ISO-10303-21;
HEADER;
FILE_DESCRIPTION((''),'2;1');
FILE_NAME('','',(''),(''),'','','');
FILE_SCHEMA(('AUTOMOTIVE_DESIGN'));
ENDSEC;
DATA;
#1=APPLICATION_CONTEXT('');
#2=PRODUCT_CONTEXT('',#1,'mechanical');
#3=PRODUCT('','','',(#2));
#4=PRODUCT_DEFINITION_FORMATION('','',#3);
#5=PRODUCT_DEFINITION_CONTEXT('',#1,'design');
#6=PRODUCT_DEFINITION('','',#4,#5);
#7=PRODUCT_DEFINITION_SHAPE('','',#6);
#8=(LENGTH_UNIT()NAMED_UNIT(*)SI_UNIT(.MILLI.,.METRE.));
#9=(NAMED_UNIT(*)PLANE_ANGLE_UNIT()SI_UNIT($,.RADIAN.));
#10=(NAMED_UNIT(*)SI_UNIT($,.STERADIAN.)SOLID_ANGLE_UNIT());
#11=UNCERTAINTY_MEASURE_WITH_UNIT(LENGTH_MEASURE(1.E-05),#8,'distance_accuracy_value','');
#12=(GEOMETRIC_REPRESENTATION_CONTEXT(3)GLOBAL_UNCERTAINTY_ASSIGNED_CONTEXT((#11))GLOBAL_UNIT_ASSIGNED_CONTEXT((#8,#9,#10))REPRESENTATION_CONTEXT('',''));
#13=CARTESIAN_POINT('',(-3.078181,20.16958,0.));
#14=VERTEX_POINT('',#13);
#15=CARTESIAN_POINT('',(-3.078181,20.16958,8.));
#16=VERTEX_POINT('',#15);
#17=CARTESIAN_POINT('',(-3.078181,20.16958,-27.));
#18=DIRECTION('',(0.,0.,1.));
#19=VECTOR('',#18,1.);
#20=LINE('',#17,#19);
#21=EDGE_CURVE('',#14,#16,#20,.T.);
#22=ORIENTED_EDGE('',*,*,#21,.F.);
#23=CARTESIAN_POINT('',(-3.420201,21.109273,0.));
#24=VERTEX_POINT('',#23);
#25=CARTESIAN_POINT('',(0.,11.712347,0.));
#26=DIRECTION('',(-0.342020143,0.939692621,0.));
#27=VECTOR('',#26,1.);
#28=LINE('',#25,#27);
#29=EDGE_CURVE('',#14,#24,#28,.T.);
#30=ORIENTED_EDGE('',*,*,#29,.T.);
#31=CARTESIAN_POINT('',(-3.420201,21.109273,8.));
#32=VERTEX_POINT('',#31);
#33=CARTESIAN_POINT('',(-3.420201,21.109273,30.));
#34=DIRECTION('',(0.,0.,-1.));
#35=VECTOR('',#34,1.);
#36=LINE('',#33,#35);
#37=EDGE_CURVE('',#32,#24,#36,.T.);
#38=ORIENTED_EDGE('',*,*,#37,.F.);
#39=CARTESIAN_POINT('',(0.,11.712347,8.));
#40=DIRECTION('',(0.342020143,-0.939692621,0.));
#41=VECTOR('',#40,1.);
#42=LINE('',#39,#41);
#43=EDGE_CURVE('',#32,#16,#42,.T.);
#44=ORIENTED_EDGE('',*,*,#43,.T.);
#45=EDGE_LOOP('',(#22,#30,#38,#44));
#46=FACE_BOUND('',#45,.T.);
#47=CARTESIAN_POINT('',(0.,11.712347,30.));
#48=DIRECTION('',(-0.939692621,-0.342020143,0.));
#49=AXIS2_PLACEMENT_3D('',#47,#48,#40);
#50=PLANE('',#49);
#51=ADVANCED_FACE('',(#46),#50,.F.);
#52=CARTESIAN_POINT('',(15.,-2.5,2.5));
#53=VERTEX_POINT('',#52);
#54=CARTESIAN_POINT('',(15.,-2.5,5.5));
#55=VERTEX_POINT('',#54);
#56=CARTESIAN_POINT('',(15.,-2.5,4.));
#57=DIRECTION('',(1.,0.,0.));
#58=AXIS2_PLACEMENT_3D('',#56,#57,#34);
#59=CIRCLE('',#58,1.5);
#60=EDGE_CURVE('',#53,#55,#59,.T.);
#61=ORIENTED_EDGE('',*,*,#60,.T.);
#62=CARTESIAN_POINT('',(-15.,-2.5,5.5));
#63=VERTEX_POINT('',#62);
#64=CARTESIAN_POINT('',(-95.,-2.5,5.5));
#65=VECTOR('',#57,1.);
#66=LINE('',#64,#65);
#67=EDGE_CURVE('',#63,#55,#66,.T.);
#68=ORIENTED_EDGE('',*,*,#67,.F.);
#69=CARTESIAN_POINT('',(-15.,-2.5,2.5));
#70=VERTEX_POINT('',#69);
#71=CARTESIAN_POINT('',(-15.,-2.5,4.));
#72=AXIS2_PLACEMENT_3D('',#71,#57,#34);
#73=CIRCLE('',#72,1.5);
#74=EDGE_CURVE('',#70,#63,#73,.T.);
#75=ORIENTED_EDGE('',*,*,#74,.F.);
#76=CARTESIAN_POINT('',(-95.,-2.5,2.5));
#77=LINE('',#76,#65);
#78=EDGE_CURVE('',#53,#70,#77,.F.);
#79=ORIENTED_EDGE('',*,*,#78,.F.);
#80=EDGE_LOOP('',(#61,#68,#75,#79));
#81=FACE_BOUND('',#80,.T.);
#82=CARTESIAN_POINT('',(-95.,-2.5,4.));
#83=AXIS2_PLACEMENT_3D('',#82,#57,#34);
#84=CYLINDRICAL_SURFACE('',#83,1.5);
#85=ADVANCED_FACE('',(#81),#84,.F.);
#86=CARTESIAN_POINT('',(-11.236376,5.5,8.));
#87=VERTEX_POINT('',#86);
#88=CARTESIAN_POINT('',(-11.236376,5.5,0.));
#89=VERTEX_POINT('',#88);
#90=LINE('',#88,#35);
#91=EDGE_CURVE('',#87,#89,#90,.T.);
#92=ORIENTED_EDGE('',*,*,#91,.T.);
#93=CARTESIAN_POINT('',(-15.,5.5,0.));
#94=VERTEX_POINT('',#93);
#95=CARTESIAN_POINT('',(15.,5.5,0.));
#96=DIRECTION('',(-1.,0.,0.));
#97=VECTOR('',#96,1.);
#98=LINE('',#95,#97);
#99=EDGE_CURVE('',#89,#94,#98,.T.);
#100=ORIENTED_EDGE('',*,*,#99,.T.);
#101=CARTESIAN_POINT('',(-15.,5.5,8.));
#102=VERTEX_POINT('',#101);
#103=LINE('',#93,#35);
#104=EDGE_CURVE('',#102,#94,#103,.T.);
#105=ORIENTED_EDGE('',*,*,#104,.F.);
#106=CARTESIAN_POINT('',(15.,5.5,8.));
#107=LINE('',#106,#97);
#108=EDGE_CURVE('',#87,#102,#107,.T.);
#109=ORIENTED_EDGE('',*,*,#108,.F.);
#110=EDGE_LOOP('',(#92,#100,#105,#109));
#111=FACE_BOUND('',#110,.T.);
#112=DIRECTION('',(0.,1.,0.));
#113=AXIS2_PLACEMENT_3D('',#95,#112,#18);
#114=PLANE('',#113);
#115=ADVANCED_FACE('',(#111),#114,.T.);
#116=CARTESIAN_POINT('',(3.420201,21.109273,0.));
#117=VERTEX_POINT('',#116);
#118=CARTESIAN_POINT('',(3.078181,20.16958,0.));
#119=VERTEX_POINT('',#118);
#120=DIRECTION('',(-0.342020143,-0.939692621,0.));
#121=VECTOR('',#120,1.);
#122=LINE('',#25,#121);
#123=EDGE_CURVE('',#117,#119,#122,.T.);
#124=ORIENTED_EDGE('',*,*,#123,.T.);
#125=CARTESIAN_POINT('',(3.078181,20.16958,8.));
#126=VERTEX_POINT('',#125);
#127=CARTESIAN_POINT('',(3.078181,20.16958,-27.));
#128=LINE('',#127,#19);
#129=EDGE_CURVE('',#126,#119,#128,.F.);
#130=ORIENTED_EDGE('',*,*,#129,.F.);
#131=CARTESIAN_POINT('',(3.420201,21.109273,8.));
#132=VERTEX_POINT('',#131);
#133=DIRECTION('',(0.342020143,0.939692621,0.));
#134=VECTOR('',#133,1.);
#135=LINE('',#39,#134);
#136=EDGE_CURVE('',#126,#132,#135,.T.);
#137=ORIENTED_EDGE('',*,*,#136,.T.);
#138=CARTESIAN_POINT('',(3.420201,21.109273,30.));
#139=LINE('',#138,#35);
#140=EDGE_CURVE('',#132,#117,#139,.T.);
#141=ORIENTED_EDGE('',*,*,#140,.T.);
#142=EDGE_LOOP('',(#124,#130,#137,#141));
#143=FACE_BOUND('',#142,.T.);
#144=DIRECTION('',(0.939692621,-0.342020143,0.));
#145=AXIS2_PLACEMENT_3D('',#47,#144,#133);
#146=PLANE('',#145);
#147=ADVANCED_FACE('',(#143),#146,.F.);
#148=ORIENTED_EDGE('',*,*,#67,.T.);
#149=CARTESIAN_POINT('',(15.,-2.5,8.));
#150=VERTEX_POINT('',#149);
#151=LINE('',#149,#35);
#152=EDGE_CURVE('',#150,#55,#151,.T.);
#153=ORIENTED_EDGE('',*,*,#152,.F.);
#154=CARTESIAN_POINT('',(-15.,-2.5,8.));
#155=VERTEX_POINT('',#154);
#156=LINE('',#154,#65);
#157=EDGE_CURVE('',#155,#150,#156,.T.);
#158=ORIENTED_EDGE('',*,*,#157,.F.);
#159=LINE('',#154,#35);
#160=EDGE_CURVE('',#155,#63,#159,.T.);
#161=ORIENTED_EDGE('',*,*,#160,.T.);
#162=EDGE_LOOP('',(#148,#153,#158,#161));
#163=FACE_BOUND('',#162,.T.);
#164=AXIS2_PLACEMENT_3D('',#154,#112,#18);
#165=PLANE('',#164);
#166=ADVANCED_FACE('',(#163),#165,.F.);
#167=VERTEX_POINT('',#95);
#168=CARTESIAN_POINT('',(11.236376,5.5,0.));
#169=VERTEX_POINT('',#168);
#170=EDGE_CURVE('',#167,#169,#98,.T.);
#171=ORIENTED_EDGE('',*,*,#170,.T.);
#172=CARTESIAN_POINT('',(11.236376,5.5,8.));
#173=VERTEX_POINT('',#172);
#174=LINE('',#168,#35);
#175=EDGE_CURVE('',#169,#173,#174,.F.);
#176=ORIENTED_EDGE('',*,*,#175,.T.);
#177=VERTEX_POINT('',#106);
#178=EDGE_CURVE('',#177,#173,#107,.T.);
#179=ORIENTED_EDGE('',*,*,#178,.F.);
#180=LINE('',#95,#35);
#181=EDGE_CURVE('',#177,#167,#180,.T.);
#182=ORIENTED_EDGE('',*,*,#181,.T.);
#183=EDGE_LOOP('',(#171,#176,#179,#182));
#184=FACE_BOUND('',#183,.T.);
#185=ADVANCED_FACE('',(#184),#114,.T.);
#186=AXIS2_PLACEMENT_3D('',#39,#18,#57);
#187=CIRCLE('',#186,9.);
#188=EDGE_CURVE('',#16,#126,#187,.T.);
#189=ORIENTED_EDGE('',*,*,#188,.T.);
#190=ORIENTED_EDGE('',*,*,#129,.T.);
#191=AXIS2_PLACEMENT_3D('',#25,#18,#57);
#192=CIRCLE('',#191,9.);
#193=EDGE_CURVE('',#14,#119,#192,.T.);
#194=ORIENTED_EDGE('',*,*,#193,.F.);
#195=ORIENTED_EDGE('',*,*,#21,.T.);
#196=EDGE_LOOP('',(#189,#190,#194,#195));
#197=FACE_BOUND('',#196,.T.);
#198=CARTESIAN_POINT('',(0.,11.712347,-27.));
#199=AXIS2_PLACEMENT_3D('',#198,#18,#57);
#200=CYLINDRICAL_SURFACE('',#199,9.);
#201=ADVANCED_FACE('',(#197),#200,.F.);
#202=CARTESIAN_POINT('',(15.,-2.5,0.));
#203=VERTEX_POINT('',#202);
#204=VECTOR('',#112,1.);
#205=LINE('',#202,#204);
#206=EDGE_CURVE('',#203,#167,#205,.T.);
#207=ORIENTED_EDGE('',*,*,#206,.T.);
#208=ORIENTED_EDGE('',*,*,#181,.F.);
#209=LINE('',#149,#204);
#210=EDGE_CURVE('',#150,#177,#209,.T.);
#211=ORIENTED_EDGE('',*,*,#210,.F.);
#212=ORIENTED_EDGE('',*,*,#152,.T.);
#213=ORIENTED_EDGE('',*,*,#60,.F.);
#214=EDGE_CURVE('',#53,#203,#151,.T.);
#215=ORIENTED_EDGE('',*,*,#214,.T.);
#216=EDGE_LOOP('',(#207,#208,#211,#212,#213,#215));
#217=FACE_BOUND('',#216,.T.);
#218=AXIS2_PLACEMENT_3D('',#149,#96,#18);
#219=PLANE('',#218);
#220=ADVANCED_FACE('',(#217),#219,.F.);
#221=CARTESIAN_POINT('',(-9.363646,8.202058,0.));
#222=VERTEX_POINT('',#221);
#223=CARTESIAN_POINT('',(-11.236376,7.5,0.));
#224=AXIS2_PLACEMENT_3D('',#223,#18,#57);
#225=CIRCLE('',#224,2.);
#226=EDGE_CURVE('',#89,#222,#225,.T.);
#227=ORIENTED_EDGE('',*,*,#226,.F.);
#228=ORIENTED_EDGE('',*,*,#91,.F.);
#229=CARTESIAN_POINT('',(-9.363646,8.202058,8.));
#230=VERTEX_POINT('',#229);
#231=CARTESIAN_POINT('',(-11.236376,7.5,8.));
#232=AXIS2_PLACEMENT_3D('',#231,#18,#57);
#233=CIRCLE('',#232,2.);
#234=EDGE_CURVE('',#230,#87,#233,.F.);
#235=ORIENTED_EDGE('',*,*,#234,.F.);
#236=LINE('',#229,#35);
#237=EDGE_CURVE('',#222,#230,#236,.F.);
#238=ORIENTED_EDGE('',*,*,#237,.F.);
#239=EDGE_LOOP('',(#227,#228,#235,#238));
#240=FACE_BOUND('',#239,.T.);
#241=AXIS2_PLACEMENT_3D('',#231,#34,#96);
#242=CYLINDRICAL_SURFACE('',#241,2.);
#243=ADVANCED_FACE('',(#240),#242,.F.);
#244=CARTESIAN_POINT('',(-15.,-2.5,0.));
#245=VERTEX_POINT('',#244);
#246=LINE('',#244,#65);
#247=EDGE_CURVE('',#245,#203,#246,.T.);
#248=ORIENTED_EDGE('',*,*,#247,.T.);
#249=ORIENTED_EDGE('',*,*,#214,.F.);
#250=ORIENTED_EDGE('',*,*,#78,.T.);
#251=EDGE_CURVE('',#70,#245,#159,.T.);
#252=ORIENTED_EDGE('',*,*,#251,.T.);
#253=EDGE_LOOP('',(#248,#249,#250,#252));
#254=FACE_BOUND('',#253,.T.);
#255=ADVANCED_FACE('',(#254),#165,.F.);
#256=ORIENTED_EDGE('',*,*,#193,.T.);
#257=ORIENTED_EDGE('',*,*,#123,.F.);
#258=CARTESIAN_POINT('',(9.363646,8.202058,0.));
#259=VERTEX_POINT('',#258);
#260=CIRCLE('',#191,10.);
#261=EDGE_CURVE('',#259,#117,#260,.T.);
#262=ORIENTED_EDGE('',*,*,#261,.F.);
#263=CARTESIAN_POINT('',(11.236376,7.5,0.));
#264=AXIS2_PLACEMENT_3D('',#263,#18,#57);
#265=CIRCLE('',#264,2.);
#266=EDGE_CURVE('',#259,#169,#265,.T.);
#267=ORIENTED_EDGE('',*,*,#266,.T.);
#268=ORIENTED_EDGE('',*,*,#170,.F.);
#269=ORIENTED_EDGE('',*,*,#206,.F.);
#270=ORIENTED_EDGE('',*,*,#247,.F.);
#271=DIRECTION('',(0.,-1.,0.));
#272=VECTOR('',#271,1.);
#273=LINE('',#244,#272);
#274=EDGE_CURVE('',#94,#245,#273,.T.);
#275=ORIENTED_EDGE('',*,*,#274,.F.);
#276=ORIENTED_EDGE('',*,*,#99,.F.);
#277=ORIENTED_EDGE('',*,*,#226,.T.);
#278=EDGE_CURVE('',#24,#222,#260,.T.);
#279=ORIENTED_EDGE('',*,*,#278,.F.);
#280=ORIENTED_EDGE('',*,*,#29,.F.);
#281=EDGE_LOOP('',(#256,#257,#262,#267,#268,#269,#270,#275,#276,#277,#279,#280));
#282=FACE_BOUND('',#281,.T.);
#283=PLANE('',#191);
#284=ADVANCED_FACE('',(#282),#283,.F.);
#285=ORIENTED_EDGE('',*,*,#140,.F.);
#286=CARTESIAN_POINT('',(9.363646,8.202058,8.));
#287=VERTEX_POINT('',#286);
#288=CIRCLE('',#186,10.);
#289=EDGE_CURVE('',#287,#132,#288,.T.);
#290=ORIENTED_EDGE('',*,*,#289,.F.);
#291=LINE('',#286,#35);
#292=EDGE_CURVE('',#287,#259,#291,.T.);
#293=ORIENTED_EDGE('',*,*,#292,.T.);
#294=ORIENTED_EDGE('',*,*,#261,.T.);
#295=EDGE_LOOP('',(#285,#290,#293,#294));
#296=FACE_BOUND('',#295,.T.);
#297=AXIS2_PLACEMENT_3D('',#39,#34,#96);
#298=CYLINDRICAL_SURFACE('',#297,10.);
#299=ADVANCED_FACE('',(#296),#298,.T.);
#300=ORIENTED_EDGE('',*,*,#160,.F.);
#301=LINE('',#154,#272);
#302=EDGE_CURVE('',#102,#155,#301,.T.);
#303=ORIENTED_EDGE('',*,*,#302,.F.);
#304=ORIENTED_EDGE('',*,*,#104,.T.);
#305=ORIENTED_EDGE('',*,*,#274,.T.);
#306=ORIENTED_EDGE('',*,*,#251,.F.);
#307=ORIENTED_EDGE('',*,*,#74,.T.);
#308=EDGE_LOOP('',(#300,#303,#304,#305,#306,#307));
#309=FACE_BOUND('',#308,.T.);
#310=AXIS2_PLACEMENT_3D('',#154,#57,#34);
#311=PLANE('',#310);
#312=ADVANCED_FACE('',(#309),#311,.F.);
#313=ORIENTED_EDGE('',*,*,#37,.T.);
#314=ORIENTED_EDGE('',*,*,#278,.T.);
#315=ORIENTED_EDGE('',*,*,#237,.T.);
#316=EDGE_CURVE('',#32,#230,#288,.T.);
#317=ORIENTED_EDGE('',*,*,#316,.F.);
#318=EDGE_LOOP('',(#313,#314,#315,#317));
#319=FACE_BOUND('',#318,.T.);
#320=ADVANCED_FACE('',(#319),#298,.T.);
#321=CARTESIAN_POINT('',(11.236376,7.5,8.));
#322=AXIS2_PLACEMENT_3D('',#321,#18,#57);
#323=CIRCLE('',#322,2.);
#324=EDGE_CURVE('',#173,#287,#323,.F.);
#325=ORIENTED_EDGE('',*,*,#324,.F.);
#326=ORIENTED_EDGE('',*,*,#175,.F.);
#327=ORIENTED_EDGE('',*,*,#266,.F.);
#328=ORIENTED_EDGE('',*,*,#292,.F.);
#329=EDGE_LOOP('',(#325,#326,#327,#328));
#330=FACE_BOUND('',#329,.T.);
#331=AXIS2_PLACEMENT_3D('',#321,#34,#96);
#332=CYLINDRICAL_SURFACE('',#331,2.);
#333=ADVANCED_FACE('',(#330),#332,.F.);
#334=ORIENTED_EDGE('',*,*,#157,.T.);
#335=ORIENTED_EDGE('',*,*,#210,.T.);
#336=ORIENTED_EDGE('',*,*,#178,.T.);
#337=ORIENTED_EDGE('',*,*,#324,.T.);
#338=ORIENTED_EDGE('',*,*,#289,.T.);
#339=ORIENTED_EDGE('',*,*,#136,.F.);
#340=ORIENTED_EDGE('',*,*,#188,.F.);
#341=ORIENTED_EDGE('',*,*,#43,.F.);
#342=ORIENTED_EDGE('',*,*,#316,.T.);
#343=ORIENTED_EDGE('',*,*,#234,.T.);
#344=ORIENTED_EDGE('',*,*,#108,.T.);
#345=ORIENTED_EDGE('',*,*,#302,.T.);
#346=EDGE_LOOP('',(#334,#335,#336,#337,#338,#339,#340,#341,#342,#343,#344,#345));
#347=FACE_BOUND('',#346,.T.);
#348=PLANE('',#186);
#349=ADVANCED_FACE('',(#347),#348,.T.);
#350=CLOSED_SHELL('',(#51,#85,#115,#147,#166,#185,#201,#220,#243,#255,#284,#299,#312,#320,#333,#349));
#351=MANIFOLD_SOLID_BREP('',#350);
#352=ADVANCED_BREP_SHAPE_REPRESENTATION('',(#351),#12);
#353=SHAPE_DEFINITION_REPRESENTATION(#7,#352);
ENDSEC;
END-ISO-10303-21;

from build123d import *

# Parameters (mm, degrees)
BOSS_EXTRUDE1_DEPTH = 8
SKETCH2_R           = 9
CUT_EXTRUDE1_DEPTH  = 35
SKETCH3_W           = 0.5
SKETCH3_H           = 1.875425002
CUT_EXTRUDE2_DEPTH  = 25
SKETCH4_R           = 1.5
CUT_EXTRUDE3_DEPTH  = 110
SKETCH6_W           = 5
SKETCH6_H           = 7.147198513
CUT_EXTRUDE4_DEPTH  = 10
FILLET1_R           = 0.5
SKETCH8_W           = 8
SKETCH8_H           = 3
BOSS_EXTRUDE2_DEPTH = 30
SKETCH9_R           = 9
CUT_EXTRUDE5_DEPTH  = 30
FILLET2_R           = 2
CUT_EXTRUDE7_DEPTH  = 30


with BuildPart() as part:
    # Sketch1 → Boss-Extrude1 (new body)
    with BuildSketch(Plane.XY):
        with BuildLine():
            Line((3.89007335, 2.5), (15, 2.5))
            Line((15, 2.5), (15, -2.5))
            Line((15, -2.5), (-15, -2.5))
            Line((-15, -2.5), (-15, 2.5))
            Line((-15, 2.5), (-3.89007335, 2.5))
            ThreePointArc((-3.89007335, 2.5), (0, 21.71234657), (3.89007335, 2.5))
        make_face()
    extrude(amount=BOSS_EXTRUDE1_DEPTH)

    # Sketch2 → Cut-Extrude1 (cut)
    with BuildSketch(Plane.XY.offset(8)):
        with Locations((0, 11.71234657)):
            Circle(SKETCH2_R)
    extrude(amount=-CUT_EXTRUDE1_DEPTH, mode=Mode.SUBTRACT)

    # Sketch3 → Cut-Extrude2 (cut)
    with BuildSketch(Plane(origin=(0, 0, 0), x_dir=(-1, 0, 0), z_dir=(0, 0, -1))):
        with Locations((0, 21.521483579)):
            Rectangle(SKETCH3_W, SKETCH3_H)
    extrude(amount=-CUT_EXTRUDE2_DEPTH, mode=Mode.SUBTRACT)

    # Sketch4 → Cut-Extrude3 (cut)
    with BuildSketch(Plane(origin=(15, 0, 0), x_dir=(0, 0, -1), z_dir=(1, 0, 0))):
        with Locations((-4, -2.5)):
            Circle(SKETCH4_R)
    extrude(amount=-CUT_EXTRUDE3_DEPTH, mode=Mode.SUBTRACT)

    # Sketch6 → Cut-Extrude4 (cut)
    with BuildSketch(Plane.XY.offset(8)):
        with Locations((0, 22.731746569)):
            Rectangle(SKETCH6_W, SKETCH6_H)
    extrude(amount=-CUT_EXTRUDE4_DEPTH, mode=Mode.SUBTRACT)

    # Fillet1
    fillet1_edges = [part.edges().sort_by_distance(p)[0] for p in [
        (-3.89007335, 2.5, 4),
        (3.89007335, 2.5, 4),
    ]]
    fillet(fillet1_edges, radius=FILLET1_R)

    # Sketch8 → Boss-Extrude2 (add)
    with BuildSketch(Plane.ZY.offset(15)):
        with Locations((4, 4)):
            Rectangle(SKETCH8_W, SKETCH8_H)
    extrude(amount=-BOSS_EXTRUDE2_DEPTH)

    # Sketch9 → Cut-Extrude5 (cut)
    with BuildSketch(Plane(origin=(0, 0, 0), x_dir=(-1, 0, 0), z_dir=(0, 0, -1))):
        with Locations((0, 11.71234657)):
            Circle(SKETCH9_R)
    extrude(amount=-CUT_EXTRUDE5_DEPTH, mode=Mode.SUBTRACT)

    # Fillet2
    fillet2_edges = [part.edges().sort_by_distance(p)[0] for p in [
        (-7.836245918, 5.5, 4),
        (7.836245918, 5.5, 4),
    ]]
    fillet(fillet2_edges, radius=FILLET2_R)

    # Sketch10 → Cut-Extrude7 (cut)
    with BuildSketch(Plane(origin=(0, 0, 0), x_dir=(-1, 0, 0), z_dir=(0, 0, -1))):
        with BuildLine():
            Line((0, 11.71234657), (3.420201433, 21.109272778))
            ThreePointArc((3.420201433, 21.109272778), (0, 24.529474212), (-3.420201433, 21.109272778))
            Line((-3.420201433, 21.109272778), (0, 11.71234657))
        make_face()
    extrude(amount=-CUT_EXTRUDE7_DEPTH, mode=Mode.SUBTRACT)


solid = part.part
